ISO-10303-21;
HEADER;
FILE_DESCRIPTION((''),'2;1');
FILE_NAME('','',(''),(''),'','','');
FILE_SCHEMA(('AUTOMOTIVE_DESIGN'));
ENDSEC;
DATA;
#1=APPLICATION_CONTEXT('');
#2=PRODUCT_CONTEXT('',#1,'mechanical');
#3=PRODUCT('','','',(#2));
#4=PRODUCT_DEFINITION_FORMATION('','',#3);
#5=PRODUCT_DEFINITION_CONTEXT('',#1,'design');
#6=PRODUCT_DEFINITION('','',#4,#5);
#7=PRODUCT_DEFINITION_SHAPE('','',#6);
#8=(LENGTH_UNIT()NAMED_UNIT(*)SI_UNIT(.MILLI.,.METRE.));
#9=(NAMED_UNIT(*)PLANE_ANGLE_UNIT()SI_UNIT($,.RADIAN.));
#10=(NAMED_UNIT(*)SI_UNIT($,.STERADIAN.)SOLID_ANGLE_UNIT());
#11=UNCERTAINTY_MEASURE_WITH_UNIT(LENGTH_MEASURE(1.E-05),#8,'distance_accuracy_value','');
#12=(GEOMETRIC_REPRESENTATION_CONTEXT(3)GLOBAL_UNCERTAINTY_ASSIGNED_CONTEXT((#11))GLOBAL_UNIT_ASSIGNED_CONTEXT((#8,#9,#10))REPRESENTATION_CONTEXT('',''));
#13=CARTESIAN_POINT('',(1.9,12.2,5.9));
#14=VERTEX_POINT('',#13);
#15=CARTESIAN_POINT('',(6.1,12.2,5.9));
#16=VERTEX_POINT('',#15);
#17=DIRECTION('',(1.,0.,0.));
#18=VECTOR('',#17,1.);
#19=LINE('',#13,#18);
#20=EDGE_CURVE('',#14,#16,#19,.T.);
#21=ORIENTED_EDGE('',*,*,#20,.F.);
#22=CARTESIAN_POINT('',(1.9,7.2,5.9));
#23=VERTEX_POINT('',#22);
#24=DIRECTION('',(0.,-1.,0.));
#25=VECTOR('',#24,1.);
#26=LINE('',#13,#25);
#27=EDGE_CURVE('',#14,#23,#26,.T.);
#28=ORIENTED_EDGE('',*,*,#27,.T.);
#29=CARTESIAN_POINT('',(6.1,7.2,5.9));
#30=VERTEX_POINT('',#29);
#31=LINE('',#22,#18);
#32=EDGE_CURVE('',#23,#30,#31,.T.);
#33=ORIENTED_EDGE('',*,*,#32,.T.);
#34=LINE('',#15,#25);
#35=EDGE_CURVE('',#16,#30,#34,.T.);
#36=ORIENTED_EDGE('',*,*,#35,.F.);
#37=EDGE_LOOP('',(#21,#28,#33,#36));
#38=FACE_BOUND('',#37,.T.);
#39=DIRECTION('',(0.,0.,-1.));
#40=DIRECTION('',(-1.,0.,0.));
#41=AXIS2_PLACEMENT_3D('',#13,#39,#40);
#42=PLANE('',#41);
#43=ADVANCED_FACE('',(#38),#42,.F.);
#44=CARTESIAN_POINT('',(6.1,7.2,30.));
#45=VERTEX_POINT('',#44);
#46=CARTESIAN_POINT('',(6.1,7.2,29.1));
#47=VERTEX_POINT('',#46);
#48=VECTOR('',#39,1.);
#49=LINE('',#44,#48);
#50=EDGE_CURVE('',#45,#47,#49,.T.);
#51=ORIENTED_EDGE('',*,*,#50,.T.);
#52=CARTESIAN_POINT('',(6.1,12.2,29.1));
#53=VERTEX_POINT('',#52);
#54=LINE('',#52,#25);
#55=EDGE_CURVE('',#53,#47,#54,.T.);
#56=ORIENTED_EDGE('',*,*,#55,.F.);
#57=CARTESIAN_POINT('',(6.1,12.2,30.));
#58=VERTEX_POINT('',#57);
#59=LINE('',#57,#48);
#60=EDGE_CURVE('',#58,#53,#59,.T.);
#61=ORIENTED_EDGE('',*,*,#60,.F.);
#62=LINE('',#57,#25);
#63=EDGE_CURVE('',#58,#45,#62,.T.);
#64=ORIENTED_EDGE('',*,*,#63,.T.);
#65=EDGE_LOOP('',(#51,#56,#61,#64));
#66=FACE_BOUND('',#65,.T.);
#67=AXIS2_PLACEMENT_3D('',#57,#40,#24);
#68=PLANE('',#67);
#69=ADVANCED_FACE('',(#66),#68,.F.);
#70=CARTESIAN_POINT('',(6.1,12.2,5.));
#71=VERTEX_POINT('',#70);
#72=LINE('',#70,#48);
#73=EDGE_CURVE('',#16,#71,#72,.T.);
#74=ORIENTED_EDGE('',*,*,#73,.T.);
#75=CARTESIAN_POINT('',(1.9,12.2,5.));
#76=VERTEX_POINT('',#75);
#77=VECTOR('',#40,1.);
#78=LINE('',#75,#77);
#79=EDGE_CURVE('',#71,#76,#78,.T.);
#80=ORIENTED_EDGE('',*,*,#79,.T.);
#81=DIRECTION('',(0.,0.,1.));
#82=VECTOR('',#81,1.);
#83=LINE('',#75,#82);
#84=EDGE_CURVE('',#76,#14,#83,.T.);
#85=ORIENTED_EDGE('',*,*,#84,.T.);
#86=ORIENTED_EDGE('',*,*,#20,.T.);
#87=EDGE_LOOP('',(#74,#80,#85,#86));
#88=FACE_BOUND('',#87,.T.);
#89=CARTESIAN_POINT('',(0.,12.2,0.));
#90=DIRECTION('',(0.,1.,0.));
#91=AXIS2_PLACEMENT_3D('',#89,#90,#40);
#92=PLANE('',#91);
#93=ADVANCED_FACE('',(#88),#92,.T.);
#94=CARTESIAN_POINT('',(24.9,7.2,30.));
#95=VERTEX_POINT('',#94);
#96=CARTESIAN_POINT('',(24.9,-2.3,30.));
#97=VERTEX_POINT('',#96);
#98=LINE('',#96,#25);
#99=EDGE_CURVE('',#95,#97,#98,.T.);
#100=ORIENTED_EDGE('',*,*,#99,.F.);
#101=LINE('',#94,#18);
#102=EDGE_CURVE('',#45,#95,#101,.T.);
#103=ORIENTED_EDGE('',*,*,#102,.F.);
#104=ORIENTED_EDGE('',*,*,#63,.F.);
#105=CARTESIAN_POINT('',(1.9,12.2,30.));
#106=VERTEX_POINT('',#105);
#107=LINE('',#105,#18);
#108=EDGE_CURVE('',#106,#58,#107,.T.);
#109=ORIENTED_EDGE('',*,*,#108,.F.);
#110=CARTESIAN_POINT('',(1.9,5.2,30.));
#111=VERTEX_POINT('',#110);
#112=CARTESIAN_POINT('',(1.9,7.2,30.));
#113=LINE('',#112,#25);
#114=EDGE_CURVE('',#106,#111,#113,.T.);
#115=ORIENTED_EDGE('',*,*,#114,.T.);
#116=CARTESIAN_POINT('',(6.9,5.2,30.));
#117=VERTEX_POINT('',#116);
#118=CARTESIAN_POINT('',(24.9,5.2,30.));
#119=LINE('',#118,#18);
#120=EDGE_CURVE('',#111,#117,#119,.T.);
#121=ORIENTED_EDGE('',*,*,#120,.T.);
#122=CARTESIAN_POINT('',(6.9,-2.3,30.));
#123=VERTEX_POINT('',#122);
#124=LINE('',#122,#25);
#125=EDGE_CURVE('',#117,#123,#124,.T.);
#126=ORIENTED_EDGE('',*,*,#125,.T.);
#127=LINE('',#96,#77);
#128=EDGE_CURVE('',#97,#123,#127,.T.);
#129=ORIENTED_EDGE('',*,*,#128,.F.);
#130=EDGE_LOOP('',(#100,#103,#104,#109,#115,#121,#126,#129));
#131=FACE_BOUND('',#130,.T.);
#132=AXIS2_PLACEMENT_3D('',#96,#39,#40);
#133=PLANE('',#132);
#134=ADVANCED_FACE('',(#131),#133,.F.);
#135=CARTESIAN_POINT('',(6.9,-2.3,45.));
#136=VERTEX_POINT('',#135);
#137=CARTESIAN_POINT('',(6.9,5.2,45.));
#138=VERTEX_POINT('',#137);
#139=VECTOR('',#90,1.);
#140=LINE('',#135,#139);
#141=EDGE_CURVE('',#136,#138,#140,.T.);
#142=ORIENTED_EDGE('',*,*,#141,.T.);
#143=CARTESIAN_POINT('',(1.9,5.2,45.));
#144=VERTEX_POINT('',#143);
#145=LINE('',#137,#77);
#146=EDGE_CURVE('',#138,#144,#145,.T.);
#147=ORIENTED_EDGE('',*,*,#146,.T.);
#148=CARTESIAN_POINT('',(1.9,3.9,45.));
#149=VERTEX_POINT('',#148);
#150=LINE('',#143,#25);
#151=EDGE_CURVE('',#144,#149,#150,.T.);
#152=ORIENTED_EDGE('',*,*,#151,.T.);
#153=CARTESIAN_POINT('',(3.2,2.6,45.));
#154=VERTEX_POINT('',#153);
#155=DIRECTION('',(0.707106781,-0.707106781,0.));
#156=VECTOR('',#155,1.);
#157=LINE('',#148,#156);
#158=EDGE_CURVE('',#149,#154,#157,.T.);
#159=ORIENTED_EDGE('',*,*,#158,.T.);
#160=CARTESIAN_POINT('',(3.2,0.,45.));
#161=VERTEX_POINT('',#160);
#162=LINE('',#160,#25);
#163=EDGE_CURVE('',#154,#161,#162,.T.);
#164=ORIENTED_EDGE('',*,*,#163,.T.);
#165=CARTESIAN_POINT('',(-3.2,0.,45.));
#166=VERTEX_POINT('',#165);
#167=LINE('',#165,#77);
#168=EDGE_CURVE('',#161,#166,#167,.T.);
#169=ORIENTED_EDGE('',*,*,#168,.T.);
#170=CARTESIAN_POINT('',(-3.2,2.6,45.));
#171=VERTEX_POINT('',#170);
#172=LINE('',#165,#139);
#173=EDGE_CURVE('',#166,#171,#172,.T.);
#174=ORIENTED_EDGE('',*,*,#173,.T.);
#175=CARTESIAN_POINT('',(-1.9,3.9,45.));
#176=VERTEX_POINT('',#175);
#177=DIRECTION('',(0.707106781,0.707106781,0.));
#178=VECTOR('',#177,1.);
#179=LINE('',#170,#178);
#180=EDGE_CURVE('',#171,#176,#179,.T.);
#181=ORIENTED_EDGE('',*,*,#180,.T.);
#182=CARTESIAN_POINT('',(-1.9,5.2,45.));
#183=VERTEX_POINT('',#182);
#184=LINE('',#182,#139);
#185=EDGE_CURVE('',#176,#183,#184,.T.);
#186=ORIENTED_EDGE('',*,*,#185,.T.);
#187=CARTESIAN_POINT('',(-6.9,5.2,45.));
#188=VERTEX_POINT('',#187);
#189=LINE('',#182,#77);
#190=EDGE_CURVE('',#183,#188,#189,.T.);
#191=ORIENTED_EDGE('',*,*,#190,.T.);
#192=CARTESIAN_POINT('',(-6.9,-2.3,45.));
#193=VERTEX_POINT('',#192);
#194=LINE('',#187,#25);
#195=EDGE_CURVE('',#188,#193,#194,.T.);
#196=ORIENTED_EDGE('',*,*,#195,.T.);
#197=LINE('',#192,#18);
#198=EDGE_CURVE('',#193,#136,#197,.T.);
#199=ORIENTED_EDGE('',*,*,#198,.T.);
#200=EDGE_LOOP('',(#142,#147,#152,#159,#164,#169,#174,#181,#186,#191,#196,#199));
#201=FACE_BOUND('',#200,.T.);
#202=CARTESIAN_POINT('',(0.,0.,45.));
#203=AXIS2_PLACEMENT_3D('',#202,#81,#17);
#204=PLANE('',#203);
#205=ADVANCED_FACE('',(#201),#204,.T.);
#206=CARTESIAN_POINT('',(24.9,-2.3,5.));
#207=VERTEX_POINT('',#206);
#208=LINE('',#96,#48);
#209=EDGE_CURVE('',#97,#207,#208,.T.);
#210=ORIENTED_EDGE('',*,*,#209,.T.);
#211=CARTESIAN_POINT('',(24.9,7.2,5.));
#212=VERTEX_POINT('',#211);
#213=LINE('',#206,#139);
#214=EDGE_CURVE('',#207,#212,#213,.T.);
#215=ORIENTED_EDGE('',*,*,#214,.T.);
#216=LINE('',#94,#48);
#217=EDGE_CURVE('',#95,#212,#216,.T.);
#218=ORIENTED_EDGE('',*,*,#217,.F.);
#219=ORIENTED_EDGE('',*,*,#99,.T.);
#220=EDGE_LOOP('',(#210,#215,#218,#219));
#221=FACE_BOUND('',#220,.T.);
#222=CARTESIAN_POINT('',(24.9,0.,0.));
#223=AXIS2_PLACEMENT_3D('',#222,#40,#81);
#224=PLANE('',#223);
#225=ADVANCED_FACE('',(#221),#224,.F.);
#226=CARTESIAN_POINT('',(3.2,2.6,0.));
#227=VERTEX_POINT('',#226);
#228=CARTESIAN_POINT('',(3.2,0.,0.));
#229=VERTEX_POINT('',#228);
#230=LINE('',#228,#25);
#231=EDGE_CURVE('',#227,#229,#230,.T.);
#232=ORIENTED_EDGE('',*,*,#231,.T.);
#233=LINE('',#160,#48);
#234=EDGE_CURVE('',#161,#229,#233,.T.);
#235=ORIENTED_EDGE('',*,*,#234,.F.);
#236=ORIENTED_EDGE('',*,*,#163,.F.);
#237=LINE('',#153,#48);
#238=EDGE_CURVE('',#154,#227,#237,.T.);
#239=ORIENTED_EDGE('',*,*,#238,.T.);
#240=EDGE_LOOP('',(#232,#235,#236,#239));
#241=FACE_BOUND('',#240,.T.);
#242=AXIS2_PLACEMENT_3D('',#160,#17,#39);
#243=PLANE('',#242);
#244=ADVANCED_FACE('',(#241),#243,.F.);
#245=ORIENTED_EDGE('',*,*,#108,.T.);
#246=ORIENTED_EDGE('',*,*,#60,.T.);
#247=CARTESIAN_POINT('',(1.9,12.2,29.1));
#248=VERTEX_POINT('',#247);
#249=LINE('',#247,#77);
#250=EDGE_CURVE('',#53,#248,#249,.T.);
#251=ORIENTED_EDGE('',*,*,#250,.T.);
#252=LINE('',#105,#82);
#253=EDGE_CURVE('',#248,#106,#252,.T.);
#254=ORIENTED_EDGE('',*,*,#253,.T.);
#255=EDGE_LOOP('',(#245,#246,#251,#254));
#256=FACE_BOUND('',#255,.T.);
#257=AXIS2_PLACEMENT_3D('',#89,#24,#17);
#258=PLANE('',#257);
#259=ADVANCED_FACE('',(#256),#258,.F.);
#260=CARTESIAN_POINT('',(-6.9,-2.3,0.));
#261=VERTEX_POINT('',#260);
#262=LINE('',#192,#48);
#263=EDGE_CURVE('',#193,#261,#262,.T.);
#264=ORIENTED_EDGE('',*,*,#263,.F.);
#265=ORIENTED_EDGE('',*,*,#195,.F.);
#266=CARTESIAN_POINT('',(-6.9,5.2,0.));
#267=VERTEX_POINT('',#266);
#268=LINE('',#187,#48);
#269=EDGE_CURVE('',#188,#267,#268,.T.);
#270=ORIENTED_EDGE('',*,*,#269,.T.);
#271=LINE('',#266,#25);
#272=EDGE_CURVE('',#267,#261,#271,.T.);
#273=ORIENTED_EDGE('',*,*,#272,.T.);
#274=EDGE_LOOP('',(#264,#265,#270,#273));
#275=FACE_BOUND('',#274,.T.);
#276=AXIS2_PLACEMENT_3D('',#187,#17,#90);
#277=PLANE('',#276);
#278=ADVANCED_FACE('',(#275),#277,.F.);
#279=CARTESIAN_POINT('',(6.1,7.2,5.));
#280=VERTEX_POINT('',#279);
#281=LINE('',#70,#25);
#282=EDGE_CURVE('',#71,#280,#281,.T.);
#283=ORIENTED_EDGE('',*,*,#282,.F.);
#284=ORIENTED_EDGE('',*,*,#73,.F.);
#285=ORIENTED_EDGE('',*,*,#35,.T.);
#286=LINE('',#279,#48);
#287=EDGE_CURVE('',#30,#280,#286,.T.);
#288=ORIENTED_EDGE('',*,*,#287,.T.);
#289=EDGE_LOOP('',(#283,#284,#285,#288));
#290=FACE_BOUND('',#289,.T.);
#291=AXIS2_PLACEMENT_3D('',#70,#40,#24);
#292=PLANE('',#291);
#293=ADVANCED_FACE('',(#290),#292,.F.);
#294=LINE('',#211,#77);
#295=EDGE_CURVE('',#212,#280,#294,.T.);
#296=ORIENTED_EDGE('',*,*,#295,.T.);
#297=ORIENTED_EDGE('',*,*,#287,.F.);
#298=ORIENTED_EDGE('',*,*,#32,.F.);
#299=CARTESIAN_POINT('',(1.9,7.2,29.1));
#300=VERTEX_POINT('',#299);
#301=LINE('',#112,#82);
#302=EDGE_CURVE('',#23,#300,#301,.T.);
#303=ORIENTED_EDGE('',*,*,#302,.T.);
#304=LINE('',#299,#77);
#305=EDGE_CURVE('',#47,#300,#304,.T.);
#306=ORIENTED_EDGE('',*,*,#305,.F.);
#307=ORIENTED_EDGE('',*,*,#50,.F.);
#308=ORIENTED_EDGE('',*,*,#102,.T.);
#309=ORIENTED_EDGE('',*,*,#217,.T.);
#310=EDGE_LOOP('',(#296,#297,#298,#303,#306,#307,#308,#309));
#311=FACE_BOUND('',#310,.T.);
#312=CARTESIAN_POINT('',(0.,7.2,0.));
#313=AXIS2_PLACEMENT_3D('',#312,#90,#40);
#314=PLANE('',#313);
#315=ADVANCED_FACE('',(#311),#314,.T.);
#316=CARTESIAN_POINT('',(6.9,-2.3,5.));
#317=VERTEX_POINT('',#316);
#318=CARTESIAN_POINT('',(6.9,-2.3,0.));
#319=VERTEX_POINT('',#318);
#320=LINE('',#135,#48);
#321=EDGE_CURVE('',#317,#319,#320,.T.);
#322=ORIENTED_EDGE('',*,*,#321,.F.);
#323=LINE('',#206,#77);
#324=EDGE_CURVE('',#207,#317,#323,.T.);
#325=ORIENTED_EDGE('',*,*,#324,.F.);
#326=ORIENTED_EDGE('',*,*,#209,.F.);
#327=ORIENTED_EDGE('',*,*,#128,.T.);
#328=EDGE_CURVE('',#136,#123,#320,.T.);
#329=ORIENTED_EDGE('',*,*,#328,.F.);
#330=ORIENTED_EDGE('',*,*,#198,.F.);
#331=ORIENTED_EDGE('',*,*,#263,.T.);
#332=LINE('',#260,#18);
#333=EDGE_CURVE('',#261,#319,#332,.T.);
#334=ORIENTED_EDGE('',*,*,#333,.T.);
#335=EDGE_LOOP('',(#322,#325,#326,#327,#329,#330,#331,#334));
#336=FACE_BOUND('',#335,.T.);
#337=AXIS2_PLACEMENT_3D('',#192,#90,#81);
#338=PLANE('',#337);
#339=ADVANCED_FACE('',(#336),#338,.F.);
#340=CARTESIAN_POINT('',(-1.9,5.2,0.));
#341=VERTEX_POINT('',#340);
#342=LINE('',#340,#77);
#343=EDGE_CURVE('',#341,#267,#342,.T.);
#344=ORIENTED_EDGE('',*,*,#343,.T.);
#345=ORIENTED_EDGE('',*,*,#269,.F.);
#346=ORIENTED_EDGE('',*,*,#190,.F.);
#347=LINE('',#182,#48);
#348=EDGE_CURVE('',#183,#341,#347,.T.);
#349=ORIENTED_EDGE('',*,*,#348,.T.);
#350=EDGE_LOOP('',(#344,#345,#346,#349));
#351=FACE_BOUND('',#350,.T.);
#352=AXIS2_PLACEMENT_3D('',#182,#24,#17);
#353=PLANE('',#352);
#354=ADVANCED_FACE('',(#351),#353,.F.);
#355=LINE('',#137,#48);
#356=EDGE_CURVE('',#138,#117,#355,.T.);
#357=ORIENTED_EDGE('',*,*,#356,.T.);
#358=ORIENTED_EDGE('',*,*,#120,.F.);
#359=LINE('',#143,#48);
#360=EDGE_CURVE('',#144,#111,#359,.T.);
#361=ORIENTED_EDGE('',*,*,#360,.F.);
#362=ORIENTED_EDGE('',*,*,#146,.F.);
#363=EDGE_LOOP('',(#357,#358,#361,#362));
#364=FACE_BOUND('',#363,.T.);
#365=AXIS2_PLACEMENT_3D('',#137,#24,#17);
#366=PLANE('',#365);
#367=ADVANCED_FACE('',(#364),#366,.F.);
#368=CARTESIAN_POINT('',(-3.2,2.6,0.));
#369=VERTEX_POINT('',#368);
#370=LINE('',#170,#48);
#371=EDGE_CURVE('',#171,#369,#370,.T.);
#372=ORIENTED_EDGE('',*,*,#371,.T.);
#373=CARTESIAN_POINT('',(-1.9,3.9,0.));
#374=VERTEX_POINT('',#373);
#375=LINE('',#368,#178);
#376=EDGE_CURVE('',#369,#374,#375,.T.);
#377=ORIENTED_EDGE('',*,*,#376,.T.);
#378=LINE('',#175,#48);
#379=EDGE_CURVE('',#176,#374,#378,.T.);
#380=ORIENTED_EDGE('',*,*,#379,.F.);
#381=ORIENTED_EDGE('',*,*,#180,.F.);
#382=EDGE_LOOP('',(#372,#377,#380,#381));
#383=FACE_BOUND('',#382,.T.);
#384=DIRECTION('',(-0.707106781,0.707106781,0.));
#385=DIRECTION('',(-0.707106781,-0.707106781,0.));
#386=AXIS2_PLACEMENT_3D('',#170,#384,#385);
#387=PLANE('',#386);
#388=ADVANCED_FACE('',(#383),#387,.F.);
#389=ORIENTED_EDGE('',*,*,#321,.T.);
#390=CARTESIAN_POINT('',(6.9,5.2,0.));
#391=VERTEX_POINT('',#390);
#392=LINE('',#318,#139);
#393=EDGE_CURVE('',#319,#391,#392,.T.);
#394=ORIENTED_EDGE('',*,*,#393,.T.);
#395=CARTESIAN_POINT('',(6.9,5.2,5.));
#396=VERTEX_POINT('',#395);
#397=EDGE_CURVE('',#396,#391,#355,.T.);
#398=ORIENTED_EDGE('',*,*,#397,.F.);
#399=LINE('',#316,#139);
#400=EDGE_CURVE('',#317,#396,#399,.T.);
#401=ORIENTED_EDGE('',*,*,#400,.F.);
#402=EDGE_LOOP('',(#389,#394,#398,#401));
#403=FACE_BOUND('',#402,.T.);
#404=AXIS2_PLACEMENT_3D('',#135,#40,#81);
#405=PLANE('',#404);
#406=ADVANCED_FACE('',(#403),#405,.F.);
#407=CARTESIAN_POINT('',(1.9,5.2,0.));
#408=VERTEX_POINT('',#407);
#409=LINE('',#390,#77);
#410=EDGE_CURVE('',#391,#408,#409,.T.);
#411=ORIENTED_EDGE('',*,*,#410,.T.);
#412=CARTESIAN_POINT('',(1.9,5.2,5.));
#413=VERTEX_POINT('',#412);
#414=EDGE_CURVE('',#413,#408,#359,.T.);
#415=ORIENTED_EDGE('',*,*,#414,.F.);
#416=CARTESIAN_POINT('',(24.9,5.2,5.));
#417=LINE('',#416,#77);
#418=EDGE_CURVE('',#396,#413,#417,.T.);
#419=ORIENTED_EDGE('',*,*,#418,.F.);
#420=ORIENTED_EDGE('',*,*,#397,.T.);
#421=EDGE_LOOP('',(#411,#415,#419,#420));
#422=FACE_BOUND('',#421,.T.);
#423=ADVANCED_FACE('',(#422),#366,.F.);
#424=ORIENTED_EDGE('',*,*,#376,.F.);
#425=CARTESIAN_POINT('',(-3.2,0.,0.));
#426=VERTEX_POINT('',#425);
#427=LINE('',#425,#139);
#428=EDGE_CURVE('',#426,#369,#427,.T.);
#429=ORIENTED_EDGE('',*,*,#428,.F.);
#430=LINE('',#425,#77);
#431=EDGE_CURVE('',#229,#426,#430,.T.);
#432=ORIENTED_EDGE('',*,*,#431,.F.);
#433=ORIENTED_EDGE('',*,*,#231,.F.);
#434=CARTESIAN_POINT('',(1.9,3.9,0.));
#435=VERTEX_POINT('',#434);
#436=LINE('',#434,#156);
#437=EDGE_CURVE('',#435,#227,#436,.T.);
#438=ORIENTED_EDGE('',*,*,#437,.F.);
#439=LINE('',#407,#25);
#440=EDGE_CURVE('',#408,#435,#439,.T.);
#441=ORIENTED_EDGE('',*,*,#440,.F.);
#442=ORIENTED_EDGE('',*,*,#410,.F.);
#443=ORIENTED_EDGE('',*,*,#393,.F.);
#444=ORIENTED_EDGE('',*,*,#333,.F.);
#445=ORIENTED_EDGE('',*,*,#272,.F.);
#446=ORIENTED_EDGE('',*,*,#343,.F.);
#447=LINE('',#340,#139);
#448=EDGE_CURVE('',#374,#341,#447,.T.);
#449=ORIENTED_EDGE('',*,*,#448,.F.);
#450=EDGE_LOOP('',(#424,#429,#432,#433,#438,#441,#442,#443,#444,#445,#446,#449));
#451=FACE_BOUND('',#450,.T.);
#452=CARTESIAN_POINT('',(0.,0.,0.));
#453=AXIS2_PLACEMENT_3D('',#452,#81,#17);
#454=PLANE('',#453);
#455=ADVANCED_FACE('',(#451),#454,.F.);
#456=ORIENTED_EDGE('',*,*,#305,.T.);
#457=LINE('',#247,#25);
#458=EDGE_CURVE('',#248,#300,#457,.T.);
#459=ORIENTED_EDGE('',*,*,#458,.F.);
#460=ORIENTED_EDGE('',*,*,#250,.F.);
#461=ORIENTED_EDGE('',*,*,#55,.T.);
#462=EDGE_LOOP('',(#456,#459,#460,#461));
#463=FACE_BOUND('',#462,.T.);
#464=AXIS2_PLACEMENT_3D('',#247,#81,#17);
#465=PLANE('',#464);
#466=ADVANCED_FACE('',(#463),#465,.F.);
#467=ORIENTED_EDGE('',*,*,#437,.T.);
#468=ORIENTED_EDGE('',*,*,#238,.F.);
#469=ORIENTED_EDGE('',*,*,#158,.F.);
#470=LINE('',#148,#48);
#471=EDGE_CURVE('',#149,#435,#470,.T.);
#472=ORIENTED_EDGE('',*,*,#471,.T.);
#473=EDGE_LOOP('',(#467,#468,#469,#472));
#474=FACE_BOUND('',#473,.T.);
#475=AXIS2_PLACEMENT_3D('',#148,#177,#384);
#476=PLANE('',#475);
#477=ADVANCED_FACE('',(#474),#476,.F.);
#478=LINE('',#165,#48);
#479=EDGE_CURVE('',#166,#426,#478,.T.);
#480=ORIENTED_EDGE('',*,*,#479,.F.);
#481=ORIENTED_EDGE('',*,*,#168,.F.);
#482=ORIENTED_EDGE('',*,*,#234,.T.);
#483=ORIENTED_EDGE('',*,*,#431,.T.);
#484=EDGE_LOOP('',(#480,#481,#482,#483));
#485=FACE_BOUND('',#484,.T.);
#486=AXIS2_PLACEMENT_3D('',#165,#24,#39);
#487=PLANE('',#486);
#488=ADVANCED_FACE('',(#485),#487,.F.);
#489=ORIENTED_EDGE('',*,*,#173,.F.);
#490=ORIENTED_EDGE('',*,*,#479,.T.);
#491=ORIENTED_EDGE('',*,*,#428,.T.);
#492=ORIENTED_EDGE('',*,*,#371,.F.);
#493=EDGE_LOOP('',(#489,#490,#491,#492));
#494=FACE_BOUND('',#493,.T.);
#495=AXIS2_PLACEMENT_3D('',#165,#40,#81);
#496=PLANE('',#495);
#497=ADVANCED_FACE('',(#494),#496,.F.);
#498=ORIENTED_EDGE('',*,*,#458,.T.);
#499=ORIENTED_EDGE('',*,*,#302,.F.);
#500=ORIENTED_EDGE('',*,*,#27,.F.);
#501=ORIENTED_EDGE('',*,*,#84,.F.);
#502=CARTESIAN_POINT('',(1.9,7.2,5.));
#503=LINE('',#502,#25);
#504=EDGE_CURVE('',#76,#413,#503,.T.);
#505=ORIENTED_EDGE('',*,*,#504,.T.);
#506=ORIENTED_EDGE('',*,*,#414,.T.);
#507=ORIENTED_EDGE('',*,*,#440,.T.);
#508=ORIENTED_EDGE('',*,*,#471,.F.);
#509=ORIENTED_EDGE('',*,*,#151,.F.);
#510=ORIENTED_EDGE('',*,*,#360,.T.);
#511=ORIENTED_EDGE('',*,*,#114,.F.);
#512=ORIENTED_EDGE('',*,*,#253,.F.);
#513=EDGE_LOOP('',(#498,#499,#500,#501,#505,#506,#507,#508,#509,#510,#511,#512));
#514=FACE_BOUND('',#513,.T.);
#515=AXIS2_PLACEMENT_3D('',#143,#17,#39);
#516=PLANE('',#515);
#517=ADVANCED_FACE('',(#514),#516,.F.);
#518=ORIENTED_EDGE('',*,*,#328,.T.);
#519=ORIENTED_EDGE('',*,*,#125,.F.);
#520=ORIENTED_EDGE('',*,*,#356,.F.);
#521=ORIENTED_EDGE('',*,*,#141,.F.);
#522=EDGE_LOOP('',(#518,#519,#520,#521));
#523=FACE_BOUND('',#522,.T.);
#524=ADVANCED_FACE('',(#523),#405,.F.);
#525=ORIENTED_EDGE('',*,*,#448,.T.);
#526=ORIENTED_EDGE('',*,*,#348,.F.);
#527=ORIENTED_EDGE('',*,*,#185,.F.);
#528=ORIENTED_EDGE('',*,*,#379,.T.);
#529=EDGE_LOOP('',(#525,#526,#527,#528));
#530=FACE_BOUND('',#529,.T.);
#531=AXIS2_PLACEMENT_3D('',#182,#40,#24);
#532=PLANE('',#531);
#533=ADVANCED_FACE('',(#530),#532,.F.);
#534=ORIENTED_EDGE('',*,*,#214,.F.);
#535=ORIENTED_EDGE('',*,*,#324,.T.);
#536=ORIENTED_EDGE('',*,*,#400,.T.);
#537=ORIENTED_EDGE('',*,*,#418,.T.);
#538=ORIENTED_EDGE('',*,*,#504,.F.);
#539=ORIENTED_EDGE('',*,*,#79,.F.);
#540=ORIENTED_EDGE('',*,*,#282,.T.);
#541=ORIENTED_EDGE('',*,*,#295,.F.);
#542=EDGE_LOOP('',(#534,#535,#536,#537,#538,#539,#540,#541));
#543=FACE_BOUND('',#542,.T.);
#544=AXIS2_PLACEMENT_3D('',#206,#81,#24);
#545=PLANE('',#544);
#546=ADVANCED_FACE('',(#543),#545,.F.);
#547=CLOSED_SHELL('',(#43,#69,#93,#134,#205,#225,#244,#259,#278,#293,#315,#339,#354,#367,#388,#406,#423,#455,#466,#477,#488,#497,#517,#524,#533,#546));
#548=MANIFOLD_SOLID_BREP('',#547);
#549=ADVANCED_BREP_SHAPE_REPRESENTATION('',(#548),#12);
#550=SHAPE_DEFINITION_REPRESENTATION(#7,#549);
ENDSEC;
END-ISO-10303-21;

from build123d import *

# Parameters (mm, degrees)
BOSS_EXTRU_1_DEPTH = 45
ESQUISSE6_W        = 25
ESQUISSE6_H        = 7.5
BOSS_EXTRU_6_DEPTH = 18
ESQUISSE7_W        = 23
ESQUISSE7_H        = 25
BOSS_EXTRU_7_DEPTH = 2
ESQUISSE8_W        = 4.2
ESQUISSE8_H        = 0.9
BOSS_EXTRU_8_DEPTH = 5


with BuildPart() as part:
    # Esquisse1 → Boss.-Extru.1 (new body)
    with BuildSketch(Plane.XY):
        Polygon((-3.2, 0), (3.2, 0), (3.2, 2.6), (1.9, 3.9), (1.9, 5.2), (6.9, 5.2), (6.9, -2.3), (-6.9, -2.3), (-6.9, 5.2), (-1.9, 5.2), (-1.9, 3.9), (-3.2, 2.6), align=None)
    extrude(amount=BOSS_EXTRU_1_DEPTH)

    # Esquisse6 → Boss.-Extru.6 (add)
    with BuildSketch(Plane(origin=(6.9, 0, 0), x_dir=(0, 0, -1), z_dir=(1, 0, 0))):
        with Locations((-17.5, 1.45)):
            Rectangle(ESQUISSE6_W, ESQUISSE6_H)
    extrude(amount=BOSS_EXTRU_6_DEPTH)

    # Esquisse7 → Boss.-Extru.7 (add)
    with BuildSketch(Plane(origin=(0, 5.2, 0), x_dir=(1, 0, 0), z_dir=(0, 1, 0))):
        with Locations((13.4, -17.5)):
            Rectangle(ESQUISSE7_W, ESQUISSE7_H)
    extrude(amount=BOSS_EXTRU_7_DEPTH)

    # Esquisse8 → Boss.-Extru.8 (add)
    with BuildSketch(Plane(origin=(0, 7.2, 0), x_dir=(1, 0, 0), z_dir=(0, 1, 0))):
        with Locations((4, -29.55)):
            Rectangle(ESQUISSE8_W, ESQUISSE8_H)
        with Locations((4, -5.45)):
            Rectangle(ESQUISSE8_W, ESQUISSE8_H)
    extrude(amount=BOSS_EXTRU_8_DEPTH)


solid = part.part
